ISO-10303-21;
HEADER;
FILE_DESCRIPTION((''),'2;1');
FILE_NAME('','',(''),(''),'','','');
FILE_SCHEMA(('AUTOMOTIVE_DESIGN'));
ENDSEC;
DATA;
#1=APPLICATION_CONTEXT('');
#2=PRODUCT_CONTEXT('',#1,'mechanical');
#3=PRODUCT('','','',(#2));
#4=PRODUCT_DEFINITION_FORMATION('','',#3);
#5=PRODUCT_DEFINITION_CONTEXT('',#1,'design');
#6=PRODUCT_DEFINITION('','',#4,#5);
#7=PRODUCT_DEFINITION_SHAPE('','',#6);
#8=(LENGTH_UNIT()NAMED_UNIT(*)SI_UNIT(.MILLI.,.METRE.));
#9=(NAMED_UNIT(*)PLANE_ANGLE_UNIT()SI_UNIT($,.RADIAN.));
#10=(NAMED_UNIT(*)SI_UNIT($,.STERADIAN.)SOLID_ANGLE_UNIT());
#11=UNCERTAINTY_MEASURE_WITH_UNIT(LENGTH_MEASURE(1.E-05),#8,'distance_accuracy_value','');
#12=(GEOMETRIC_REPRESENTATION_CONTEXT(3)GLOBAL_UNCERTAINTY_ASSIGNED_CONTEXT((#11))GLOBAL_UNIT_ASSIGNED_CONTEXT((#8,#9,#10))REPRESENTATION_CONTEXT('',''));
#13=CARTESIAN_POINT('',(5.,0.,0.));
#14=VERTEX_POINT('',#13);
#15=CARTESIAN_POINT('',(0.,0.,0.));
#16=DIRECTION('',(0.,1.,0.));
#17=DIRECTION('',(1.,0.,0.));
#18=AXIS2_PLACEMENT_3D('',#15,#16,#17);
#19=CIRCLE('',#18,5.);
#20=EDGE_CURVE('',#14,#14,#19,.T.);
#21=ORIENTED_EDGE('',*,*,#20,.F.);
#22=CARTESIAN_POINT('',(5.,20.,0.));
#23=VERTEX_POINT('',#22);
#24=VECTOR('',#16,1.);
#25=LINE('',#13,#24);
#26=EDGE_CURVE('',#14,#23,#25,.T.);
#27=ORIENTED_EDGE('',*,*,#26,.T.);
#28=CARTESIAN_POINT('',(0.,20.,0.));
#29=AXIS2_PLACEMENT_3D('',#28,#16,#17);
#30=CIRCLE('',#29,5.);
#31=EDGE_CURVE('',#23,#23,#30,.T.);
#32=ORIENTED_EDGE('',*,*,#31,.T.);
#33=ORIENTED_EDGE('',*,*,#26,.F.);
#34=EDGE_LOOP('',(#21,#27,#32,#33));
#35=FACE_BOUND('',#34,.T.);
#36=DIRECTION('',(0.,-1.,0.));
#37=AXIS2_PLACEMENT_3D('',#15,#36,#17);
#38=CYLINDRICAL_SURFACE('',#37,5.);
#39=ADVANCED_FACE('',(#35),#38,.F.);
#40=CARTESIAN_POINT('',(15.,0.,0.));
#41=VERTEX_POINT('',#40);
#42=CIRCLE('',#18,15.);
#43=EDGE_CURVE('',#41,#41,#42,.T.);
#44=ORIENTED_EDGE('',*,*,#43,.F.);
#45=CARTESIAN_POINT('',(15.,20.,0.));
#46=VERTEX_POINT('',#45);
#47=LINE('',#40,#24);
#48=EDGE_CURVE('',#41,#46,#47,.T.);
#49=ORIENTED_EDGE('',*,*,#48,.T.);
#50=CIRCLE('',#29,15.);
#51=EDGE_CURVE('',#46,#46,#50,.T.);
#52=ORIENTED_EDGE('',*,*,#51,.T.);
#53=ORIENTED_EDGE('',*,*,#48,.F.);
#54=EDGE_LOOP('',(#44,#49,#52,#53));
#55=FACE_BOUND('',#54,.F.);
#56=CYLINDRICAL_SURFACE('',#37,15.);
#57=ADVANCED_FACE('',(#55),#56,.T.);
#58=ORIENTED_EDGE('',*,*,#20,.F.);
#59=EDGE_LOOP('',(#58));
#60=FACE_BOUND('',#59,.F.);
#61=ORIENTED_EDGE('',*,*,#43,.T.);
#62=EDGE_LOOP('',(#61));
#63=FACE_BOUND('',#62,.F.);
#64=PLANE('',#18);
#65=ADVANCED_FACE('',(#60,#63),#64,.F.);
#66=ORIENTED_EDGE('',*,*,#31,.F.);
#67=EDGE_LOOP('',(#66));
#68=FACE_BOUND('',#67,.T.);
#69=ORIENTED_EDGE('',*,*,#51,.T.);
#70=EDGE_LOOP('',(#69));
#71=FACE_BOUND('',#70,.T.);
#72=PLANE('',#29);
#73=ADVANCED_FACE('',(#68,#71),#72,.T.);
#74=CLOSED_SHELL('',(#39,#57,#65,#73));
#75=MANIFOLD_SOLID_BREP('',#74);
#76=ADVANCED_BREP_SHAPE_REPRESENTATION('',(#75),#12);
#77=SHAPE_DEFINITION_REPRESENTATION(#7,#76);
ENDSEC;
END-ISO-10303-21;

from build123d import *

# Parameters (mm, degrees)
ESQUISSE1_R      = 15
ESQUISSE1_R_2    = 5
EXTRUSION1_DEPTH = 20


with BuildPart() as part:
    # Esquisse1 → Extrusion1 (new body)
    with BuildSketch(Plane(origin=(0, 0, 0), x_dir=(1, 0, 0), z_dir=(0, 1, 0))):
        Circle(ESQUISSE1_R)
        Circle(ESQUISSE1_R_2, mode=Mode.SUBTRACT)
    extrude(amount=EXTRUSION1_DEPTH)


solid = part.part
